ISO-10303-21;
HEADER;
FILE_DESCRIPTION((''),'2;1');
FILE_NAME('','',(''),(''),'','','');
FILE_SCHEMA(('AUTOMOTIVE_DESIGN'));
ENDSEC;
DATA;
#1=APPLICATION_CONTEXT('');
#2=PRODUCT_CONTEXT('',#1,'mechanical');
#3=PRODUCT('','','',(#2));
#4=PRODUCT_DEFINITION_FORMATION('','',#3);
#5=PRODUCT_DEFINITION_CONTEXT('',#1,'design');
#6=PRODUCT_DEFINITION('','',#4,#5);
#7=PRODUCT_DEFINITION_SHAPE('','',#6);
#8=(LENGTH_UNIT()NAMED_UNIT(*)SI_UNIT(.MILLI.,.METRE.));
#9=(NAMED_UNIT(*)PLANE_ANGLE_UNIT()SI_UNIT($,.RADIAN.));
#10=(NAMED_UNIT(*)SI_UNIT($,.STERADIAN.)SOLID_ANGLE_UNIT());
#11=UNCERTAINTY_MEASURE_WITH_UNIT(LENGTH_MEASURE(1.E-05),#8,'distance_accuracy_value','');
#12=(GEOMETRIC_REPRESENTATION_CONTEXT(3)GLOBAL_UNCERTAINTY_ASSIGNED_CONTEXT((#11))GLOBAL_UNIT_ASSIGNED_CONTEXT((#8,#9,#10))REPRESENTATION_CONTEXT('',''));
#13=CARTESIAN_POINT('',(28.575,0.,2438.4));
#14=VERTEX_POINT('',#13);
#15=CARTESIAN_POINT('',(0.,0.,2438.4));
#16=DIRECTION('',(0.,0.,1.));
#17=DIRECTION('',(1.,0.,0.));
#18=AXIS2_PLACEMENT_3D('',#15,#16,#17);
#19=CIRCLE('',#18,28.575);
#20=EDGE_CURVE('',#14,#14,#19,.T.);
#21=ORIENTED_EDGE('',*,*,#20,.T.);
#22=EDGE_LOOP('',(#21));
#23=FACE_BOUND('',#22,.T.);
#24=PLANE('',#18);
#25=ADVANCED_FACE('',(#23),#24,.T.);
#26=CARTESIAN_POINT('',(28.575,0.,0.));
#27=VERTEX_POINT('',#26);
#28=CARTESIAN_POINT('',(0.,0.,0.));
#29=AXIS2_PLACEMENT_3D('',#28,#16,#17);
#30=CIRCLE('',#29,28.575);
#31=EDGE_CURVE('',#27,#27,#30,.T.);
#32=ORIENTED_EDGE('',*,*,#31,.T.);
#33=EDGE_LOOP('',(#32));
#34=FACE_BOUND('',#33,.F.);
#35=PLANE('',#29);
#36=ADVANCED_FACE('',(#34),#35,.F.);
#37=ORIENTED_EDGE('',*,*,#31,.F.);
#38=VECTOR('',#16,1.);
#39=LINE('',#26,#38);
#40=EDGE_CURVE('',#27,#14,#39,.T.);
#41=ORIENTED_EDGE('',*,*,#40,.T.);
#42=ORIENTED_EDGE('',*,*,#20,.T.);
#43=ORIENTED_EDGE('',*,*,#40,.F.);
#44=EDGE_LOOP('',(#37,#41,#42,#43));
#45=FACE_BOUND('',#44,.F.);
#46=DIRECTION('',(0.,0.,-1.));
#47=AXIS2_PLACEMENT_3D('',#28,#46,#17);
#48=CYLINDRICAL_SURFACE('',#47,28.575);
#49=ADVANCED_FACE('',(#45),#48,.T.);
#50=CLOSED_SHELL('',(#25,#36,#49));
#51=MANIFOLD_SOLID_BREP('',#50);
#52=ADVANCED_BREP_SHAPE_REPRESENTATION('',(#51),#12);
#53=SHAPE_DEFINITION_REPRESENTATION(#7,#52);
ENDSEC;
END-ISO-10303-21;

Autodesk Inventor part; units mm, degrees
ref_plane "YZ Plane" through (0, 0, 0) normal (1, 0, 0) x (0, 1, 0)
ref_plane "XZ Plane" through (0, 0, 0) normal (0, 1, 0) x (-1, 0, 0)
ref_plane "XY Plane" through (0, 0, 0) normal (0, 0, 1) x (1, 0, 0)
sketch "Sketch1" plane through (0, 0, 0) normal (0, 0, 1) x (1, 0, 0)
  circle A0 centre (0, 0) radius 28.575
  dimension "d0" = 57.15
extrude "Extrusion1" add sketch "Sketch1" along normal blind 2438.4
properties part number "2.25 bar x 8ft" material "Steel, Alloy"
